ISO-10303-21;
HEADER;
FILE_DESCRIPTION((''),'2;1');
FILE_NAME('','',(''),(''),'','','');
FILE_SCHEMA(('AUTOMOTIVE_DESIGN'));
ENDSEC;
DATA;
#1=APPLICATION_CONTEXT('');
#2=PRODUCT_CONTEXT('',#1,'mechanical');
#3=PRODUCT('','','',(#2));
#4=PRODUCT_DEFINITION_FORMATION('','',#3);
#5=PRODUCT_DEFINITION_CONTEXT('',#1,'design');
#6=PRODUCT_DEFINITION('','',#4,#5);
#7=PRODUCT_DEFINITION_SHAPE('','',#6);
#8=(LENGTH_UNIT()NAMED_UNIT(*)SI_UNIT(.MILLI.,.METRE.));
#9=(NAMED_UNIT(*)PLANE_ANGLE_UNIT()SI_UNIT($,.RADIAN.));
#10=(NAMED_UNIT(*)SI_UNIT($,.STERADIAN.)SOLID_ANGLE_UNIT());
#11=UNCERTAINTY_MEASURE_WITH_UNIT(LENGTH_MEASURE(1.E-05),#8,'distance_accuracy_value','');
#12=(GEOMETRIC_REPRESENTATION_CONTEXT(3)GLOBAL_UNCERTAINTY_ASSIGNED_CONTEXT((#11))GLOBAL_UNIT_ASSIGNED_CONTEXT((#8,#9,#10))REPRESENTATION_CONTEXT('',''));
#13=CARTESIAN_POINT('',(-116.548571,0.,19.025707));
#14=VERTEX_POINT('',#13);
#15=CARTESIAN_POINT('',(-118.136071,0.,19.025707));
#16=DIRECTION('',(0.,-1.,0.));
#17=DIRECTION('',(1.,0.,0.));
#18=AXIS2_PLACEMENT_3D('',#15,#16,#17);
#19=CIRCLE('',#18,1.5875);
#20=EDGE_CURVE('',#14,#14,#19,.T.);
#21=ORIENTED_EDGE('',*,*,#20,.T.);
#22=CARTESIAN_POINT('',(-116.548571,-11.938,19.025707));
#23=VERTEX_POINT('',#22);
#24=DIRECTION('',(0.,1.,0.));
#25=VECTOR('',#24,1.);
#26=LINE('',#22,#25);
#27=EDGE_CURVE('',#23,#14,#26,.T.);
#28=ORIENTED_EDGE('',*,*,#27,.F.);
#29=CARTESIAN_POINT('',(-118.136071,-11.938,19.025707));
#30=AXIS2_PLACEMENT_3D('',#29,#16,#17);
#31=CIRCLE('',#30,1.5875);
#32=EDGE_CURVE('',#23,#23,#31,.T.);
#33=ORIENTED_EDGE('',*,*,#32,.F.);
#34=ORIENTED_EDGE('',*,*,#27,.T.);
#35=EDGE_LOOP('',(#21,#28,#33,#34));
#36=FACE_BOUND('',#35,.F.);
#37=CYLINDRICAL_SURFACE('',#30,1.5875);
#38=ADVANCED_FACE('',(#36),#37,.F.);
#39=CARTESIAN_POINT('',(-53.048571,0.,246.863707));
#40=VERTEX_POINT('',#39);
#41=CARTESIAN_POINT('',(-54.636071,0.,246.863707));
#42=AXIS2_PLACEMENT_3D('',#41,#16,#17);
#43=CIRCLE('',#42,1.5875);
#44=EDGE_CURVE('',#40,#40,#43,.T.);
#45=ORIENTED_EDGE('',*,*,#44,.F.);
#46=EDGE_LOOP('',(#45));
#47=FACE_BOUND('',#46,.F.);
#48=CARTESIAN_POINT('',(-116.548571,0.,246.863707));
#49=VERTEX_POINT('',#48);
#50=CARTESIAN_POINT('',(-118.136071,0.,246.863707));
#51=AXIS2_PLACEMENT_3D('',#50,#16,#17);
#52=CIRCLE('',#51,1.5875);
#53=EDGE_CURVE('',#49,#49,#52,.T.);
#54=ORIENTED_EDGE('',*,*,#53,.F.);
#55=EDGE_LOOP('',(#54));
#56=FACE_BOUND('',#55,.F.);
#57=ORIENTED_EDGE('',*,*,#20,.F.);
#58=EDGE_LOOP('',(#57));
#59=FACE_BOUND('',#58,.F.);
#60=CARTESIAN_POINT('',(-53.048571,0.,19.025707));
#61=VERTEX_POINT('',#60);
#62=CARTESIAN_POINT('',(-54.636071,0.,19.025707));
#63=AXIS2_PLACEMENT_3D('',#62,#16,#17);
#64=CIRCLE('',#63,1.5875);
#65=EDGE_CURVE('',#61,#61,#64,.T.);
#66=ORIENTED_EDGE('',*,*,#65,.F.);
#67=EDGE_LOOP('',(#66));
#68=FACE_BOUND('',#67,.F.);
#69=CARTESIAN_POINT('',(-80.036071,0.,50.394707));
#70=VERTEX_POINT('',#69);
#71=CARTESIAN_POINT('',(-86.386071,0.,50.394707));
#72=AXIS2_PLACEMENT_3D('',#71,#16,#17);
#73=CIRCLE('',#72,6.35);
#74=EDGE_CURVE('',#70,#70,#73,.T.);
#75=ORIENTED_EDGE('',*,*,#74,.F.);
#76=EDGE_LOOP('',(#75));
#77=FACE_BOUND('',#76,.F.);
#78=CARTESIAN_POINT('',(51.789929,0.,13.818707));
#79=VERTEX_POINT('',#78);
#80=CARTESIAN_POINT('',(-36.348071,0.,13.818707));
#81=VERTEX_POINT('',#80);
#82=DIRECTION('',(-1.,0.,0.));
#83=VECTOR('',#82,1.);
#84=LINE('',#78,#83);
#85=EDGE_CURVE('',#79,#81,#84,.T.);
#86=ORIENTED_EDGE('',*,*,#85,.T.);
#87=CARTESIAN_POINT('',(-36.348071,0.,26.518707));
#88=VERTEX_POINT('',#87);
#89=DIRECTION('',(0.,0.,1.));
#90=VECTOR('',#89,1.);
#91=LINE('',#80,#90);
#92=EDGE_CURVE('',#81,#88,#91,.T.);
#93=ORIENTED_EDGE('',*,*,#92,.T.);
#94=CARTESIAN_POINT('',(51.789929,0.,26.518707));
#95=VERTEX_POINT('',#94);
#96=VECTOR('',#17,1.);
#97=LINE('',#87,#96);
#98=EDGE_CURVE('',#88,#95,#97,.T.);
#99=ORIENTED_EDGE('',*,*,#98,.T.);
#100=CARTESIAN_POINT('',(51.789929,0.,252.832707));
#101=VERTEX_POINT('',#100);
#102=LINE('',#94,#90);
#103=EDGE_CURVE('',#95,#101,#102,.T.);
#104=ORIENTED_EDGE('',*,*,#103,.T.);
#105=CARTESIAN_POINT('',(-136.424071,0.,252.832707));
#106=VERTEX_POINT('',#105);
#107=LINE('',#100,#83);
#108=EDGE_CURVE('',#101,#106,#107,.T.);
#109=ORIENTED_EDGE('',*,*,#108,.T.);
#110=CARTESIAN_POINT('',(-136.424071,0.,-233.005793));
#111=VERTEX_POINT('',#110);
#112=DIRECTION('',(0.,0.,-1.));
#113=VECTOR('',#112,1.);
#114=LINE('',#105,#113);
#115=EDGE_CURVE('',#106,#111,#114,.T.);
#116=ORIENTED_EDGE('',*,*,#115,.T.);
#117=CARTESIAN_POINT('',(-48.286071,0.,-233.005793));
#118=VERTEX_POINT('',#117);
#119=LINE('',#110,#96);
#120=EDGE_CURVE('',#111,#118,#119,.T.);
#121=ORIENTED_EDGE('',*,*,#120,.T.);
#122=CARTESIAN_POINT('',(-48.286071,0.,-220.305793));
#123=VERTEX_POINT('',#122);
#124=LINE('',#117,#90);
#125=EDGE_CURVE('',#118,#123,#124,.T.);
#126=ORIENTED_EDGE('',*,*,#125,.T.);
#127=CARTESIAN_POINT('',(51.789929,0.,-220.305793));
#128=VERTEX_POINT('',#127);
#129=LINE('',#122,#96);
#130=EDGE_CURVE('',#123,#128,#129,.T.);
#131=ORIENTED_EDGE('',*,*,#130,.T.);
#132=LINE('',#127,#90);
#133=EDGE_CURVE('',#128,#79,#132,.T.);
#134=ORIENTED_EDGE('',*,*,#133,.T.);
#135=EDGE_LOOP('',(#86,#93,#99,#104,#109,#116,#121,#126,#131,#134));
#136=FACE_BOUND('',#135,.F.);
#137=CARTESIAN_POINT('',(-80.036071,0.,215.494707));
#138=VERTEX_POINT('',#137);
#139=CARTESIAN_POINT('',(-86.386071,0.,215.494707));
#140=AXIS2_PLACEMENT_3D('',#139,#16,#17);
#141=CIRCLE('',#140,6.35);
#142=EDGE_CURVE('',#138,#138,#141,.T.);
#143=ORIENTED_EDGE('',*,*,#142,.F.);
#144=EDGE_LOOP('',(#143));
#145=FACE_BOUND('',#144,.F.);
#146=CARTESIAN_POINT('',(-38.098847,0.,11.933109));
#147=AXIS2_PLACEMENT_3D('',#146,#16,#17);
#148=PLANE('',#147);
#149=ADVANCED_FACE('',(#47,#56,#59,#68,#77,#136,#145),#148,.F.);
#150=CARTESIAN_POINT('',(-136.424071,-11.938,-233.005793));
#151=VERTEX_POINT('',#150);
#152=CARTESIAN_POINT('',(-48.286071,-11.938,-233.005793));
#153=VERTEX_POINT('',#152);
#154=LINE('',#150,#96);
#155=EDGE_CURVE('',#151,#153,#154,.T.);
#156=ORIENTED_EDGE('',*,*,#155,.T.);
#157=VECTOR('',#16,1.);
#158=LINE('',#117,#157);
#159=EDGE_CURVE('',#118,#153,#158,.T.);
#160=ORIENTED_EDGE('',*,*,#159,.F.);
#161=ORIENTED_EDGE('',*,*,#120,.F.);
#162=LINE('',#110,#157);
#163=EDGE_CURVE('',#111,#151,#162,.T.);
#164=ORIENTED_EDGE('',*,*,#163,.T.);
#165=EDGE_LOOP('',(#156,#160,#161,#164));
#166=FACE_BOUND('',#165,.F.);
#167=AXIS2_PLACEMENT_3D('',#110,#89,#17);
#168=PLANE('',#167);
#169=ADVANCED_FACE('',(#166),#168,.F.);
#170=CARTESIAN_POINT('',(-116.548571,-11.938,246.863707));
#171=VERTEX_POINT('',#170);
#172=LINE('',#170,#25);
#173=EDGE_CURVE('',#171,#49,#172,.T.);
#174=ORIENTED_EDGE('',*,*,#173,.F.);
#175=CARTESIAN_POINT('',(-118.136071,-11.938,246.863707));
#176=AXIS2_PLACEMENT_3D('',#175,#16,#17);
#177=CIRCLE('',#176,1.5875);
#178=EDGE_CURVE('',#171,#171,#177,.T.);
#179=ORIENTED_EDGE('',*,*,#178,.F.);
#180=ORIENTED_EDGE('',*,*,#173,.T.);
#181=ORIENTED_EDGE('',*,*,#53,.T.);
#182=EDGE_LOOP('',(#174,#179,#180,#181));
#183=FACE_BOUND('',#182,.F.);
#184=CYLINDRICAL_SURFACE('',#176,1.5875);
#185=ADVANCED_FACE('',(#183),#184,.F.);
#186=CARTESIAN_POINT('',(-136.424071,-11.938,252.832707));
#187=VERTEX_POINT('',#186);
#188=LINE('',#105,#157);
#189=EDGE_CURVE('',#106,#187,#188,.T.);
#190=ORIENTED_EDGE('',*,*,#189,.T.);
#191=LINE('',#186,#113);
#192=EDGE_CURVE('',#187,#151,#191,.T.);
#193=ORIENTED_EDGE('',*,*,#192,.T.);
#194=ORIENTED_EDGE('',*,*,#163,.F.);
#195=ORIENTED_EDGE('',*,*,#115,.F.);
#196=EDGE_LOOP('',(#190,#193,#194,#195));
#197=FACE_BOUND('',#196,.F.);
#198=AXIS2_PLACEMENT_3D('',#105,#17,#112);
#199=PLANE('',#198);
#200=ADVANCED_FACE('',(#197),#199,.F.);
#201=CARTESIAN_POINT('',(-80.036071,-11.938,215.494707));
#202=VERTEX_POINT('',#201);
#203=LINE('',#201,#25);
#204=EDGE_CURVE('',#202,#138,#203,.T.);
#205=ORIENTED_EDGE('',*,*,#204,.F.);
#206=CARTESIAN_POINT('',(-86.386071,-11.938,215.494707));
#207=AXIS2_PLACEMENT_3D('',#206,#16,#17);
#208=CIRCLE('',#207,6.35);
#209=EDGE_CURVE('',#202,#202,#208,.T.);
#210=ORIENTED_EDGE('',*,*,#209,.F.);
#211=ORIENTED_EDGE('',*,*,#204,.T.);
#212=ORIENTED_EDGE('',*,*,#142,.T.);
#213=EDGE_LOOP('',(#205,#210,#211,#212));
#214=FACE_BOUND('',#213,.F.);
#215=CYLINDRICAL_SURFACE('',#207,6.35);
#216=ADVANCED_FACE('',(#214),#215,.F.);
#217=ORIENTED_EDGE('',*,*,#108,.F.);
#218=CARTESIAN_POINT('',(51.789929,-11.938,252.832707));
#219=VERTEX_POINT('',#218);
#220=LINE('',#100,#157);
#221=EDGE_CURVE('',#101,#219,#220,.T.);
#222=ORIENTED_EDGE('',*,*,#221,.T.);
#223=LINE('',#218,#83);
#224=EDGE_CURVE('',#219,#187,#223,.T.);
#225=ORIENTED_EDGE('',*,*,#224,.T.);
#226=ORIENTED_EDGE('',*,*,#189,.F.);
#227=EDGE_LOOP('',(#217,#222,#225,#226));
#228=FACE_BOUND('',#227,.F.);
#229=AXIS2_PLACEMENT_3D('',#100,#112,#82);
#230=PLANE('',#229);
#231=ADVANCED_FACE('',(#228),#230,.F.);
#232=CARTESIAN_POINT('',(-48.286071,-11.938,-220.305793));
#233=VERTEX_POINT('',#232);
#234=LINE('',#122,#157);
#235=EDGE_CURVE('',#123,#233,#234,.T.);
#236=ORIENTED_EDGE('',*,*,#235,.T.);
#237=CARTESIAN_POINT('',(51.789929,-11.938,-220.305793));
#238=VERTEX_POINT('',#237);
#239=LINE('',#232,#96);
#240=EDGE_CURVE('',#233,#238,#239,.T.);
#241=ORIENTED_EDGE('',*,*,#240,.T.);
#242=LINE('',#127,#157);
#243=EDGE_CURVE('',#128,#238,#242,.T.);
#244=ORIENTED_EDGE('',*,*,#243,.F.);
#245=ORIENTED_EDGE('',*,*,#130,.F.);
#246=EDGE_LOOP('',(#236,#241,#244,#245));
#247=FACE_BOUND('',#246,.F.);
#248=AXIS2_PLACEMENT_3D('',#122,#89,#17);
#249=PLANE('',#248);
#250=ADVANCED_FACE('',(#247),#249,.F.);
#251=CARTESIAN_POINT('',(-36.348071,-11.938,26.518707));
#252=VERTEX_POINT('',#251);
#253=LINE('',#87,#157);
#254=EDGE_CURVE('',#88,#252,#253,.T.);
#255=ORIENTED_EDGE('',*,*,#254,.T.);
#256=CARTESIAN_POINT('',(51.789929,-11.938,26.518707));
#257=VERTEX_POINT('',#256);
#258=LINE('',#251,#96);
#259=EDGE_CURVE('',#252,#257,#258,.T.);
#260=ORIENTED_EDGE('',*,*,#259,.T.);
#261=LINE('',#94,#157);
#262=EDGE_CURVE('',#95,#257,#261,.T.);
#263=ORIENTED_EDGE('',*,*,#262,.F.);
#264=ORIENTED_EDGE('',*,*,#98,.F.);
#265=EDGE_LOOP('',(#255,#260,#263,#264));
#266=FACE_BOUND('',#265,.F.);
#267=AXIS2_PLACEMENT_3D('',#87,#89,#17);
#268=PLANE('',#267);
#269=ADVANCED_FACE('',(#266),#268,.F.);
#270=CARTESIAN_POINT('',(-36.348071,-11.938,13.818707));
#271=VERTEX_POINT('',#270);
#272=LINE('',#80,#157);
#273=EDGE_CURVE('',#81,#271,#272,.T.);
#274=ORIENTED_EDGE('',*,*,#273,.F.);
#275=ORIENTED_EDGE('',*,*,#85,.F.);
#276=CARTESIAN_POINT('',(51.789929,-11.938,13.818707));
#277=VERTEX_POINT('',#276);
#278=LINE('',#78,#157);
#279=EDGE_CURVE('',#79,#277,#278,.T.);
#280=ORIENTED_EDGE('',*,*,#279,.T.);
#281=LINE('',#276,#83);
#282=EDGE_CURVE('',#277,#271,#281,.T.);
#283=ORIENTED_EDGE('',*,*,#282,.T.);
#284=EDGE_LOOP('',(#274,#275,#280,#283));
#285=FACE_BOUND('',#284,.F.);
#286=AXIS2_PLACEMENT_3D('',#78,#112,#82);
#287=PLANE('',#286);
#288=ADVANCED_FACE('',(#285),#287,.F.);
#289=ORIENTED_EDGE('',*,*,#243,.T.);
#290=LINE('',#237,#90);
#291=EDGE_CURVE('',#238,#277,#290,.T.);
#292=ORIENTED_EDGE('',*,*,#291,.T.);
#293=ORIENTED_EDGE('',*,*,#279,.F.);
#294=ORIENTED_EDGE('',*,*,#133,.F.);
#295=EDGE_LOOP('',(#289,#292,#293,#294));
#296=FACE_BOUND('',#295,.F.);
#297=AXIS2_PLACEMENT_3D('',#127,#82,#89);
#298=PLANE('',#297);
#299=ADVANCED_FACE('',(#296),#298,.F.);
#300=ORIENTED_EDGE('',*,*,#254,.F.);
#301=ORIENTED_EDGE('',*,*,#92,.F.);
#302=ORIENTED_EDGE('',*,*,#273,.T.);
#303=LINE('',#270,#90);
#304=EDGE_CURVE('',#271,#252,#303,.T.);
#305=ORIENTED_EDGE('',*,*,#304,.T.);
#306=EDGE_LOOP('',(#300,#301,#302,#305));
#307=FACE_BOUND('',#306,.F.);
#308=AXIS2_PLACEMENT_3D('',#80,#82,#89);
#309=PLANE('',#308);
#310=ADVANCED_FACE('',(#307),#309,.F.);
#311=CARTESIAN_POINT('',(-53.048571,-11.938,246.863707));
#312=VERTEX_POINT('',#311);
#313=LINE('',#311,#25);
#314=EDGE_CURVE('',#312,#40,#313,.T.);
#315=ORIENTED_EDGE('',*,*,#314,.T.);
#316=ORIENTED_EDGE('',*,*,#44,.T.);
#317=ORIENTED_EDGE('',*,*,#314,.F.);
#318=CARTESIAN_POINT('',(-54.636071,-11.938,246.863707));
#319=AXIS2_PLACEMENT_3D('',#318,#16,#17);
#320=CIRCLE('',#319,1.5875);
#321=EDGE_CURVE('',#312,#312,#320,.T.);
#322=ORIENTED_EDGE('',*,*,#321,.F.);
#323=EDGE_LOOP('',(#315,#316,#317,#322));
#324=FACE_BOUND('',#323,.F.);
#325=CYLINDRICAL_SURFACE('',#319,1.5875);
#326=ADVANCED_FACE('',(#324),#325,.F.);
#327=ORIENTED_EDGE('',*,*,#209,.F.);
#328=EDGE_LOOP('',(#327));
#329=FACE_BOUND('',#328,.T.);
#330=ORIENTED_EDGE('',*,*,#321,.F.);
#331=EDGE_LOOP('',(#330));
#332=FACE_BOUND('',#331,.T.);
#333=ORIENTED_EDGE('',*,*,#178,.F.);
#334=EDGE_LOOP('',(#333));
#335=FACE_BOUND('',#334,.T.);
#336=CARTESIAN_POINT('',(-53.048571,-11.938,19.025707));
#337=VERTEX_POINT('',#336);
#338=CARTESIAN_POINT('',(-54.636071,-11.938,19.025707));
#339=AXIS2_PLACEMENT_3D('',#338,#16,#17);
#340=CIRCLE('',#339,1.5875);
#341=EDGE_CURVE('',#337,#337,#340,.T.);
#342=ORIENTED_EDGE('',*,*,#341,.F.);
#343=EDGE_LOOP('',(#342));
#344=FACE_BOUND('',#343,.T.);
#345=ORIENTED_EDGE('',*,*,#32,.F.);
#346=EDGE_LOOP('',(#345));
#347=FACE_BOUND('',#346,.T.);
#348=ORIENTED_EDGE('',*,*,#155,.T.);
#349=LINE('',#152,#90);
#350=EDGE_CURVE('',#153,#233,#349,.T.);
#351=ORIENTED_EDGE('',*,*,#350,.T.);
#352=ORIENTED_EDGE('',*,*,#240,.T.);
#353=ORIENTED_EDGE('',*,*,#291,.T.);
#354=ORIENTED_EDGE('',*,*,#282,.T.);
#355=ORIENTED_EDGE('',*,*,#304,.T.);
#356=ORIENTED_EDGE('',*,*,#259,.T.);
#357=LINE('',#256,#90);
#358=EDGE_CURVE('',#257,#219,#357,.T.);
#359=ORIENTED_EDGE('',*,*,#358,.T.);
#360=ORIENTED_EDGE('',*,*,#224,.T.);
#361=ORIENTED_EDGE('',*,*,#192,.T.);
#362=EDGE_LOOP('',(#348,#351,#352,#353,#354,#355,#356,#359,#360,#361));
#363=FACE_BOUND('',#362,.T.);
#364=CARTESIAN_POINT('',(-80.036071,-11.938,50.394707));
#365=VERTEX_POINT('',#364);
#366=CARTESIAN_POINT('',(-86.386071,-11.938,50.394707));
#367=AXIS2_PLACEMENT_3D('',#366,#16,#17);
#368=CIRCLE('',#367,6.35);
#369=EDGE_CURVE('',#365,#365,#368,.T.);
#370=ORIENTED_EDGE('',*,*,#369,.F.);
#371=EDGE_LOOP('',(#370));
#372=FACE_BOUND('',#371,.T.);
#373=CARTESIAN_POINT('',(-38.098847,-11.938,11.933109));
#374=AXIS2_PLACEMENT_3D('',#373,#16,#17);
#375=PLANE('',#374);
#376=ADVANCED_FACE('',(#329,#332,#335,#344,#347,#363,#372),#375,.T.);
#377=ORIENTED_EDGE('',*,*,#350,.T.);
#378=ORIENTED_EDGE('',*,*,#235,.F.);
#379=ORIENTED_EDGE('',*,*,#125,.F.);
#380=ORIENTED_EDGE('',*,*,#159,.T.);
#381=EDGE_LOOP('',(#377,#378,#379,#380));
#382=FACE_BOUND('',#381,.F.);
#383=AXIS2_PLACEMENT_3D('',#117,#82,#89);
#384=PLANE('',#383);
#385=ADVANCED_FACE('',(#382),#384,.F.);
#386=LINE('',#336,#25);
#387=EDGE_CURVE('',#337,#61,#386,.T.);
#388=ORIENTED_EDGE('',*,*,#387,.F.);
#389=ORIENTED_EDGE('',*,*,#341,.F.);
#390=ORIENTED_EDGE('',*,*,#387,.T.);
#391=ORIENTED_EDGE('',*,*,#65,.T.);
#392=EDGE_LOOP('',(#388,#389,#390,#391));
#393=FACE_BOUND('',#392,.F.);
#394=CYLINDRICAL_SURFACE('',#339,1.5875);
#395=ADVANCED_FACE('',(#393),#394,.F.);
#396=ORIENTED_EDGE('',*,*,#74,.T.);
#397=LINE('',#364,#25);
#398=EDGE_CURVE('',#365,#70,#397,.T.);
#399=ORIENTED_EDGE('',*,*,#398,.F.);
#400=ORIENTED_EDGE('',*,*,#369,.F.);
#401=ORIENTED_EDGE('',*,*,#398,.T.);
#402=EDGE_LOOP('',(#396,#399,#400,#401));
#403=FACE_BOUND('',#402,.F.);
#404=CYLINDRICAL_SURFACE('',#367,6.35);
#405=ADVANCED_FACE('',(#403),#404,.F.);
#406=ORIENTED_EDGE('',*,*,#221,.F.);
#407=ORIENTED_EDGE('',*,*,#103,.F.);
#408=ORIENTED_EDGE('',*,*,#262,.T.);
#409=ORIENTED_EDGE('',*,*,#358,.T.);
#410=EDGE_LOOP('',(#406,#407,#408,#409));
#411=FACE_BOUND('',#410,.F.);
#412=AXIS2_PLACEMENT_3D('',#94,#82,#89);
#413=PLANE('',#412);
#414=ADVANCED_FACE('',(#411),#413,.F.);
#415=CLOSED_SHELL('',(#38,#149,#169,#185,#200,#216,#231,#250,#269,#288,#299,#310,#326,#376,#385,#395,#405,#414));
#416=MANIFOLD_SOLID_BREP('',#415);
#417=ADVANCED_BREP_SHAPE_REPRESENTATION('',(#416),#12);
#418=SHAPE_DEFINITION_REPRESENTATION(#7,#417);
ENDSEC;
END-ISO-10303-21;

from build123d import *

# Parameters (mm, degrees)
F1_DEPTH = 11.938
F2_R     = 6.35
F2_R_2   = 1.5875
F3_DEPTH = 11.939


with BuildPart() as f1:
    # F0 (on Front) → F1 (new body)
    with BuildSketch(Plane.XZ):
        Polygon((-36.348071, 252.832707), (-136.424071, 252.832707), (-136.424071, -233.005793), (-48.286071, -233.005793), (-48.286071, -220.305793), (51.789929, -220.305793), (51.789929, 13.818707), (-36.348071, 13.818707), (-36.348071, 26.518707), (51.789929, 26.518707), (51.789929, 252.832707), align=None)
    extrude(amount=F1_DEPTH)

    # F2 (on face) → F3 (cut, through all)
    with BuildSketch(Plane.XZ.offset(11.938)):
        with Locations((-86.386071, 215.494707)):
            Circle(F2_R)
        with Locations((-86.386071, 50.394707)):
            Circle(F2_R)
        with Locations((-118.136071, 246.863707)):
            Circle(F2_R_2)
        with Locations((-54.636071, 246.863707)):
            Circle(F2_R_2)
        with Locations((-118.136071, 19.025707)):
            Circle(F2_R_2)
        with Locations((-54.636071, 19.025707)):
            Circle(F2_R_2)
    extrude(amount=-F3_DEPTH, mode=Mode.SUBTRACT)


solid = f1.part
